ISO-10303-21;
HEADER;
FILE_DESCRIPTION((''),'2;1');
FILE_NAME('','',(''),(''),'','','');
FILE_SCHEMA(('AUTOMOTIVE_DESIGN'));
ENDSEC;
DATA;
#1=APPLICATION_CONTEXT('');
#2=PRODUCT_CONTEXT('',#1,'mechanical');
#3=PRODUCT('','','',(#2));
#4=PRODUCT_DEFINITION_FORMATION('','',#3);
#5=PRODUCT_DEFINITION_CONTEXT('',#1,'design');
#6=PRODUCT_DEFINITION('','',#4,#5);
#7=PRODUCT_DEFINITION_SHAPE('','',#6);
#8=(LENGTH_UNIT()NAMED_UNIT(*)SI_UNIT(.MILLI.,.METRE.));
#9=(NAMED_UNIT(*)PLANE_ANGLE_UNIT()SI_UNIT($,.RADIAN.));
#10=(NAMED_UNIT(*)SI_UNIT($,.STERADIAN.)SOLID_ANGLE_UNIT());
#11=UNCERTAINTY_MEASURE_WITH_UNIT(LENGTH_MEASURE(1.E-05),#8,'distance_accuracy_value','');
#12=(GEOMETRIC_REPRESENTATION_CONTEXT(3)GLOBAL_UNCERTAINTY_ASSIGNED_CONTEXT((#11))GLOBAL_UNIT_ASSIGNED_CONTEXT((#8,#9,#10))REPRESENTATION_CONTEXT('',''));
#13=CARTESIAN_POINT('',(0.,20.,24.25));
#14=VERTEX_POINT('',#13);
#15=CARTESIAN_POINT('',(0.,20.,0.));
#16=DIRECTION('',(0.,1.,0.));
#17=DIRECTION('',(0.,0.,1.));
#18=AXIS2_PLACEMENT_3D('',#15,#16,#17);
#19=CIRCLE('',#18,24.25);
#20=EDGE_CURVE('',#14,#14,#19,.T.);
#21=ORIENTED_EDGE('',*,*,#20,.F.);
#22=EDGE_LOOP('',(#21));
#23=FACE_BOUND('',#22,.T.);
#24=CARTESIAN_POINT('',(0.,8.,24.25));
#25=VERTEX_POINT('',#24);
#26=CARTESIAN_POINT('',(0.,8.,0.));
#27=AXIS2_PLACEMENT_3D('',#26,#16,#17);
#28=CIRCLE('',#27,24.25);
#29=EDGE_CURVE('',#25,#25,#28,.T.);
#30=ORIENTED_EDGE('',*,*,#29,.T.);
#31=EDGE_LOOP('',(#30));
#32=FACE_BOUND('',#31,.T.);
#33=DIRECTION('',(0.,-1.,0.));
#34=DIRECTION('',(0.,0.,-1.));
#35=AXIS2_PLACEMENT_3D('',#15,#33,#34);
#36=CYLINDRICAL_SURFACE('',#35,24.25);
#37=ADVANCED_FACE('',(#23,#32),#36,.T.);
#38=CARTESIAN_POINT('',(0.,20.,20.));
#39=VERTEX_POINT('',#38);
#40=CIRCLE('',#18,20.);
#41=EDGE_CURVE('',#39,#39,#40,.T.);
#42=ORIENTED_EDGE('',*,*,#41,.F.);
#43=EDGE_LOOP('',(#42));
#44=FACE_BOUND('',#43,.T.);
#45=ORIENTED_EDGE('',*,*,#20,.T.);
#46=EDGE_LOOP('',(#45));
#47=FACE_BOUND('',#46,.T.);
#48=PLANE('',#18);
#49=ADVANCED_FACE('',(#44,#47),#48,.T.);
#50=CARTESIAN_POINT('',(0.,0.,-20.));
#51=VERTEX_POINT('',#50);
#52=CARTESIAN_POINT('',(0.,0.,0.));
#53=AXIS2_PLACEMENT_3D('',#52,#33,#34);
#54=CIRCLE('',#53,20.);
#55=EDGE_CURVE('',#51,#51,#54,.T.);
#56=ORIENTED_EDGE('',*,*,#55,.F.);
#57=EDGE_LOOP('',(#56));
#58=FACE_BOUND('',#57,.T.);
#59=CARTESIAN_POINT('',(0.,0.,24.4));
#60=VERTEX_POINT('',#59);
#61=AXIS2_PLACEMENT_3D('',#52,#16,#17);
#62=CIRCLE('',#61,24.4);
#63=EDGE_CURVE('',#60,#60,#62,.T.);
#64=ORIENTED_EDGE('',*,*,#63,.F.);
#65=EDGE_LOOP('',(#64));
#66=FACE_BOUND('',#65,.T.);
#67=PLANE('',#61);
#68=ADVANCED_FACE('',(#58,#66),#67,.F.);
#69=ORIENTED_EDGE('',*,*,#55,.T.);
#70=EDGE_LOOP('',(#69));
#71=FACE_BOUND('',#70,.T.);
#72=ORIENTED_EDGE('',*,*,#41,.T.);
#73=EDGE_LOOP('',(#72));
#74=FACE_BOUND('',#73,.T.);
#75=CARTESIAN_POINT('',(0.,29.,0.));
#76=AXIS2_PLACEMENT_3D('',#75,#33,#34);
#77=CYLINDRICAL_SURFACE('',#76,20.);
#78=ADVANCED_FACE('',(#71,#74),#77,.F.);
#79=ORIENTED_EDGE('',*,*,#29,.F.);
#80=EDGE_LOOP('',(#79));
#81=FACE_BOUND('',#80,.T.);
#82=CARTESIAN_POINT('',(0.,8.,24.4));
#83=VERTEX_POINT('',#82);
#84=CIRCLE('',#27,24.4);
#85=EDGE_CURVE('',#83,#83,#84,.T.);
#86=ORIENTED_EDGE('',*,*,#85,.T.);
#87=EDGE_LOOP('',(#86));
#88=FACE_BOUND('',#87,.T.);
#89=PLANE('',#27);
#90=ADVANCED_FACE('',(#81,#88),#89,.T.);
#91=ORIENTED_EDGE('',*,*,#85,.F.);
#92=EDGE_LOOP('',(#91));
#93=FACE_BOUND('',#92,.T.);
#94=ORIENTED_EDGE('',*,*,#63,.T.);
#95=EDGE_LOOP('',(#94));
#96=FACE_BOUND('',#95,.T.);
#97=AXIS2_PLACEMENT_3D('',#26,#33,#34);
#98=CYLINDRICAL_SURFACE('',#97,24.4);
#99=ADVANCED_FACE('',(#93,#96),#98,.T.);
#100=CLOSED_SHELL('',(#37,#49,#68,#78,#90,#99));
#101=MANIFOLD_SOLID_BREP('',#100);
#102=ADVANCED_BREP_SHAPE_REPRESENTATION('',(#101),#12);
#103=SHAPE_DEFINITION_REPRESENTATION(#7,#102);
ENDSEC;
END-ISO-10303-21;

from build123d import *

# Parameters (mm, degrees)
SKETCH_1_R          = 24.4
EXTRUDE_1_DEPTH     = 8
SKETCH_2_R          = 24.25
EXTRUDE_2_DEPTH     = 12
SKETCH_3_R          = 20
CUT_EXTRUDE_1_DEPTH = 29


with BuildPart() as part:
    # Эскиз1 → Бобышка-Вытянуть1 (new body)
    with BuildSketch(Plane(origin=(0, 0, 0), x_dir=(1, 0, 0), z_dir=(0, 1, 0))):
        Circle(SKETCH_1_R)
    extrude(amount=EXTRUDE_1_DEPTH)

    # Эскиз2 → Бобышка-Вытянуть2 (add)
    with BuildSketch(Plane(origin=(0, 8, 0), x_dir=(1, 0, 0), z_dir=(0, 1, 0))):
        Circle(SKETCH_2_R)
    extrude(amount=EXTRUDE_2_DEPTH)

    # Эскиз3 → Вырез-Вытянуть1 (cut)
    with BuildSketch(Plane.XZ):
        Circle(SKETCH_3_R)
    extrude(amount=-CUT_EXTRUDE_1_DEPTH, mode=Mode.SUBTRACT)


solid = part.part
